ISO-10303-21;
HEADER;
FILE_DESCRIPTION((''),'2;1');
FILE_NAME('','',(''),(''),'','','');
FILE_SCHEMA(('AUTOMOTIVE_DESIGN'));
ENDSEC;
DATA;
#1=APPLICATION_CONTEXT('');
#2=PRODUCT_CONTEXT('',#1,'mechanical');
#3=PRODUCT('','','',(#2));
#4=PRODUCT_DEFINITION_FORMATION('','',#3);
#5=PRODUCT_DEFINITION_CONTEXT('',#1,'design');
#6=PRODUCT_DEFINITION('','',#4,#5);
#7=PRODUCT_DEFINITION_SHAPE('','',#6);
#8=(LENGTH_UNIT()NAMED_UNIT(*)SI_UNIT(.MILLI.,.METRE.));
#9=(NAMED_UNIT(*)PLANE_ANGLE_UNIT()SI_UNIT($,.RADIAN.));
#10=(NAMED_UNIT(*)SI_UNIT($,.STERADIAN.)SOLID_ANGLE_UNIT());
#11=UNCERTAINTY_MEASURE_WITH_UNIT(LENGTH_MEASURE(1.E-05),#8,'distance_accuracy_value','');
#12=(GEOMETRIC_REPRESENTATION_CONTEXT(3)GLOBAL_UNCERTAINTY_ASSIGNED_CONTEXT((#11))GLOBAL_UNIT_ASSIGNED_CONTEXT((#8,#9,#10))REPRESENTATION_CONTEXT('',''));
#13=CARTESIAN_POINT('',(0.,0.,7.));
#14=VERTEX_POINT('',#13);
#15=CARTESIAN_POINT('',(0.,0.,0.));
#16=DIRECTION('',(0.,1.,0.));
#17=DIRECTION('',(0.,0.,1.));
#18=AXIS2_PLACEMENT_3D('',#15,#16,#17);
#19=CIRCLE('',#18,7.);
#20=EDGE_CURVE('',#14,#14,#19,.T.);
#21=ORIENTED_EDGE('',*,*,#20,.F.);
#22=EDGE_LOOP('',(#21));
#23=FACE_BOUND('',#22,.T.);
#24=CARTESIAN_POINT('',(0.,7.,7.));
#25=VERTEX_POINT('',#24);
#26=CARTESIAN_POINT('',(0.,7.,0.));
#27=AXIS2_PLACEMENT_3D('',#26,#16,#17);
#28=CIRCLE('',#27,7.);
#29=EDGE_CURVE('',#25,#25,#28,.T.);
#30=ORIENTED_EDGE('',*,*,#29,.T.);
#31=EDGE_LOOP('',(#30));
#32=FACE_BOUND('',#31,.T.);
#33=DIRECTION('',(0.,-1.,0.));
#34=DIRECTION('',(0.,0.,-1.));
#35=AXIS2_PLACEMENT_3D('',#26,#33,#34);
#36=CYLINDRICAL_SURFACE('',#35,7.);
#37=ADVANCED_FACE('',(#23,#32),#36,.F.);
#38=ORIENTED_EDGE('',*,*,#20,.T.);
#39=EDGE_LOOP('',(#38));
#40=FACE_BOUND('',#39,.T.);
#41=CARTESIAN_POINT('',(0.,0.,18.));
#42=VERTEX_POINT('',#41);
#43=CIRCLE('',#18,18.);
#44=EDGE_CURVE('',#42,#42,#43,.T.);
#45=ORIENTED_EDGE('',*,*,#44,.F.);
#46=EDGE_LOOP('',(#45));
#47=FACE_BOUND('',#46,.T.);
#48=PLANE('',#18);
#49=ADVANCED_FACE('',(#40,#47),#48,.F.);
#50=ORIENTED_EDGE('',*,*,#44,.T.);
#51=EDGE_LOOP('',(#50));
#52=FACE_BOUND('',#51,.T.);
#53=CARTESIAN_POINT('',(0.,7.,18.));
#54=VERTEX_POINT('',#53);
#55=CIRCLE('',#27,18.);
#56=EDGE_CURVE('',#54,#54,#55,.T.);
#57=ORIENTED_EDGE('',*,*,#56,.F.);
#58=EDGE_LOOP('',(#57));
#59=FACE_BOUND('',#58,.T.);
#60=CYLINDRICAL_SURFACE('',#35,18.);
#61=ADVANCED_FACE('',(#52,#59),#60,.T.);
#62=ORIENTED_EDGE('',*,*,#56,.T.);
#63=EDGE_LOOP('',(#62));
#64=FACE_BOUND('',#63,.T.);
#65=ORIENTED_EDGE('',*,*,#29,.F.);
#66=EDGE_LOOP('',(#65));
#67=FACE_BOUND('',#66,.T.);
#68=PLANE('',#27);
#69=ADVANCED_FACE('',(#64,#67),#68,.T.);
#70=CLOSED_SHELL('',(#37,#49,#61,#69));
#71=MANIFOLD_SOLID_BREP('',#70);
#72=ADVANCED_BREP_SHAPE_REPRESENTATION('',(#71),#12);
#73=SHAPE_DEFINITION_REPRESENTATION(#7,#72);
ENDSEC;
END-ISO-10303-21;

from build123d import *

# Parameters (mm, degrees)
SKETCH_1_R      = 18
SKETCH_1_R_2    = 7
EXTRUDE_1_DEPTH = 7


with BuildPart() as part:
    # Эскиз1 → Вытянуть1 (new body)
    with BuildSketch(Plane(origin=(0, 0, 0), x_dir=(1, 0, 0), z_dir=(0, 1, 0))):
        with Locations(Location((0, 0, 0), (0, 0, 270))):
            Circle(SKETCH_1_R)
        with Locations(Location((0, 0, 0), (0, 0, 270))):
            Circle(SKETCH_1_R_2, mode=Mode.SUBTRACT)
    extrude(amount=EXTRUDE_1_DEPTH)


solid = part.part
